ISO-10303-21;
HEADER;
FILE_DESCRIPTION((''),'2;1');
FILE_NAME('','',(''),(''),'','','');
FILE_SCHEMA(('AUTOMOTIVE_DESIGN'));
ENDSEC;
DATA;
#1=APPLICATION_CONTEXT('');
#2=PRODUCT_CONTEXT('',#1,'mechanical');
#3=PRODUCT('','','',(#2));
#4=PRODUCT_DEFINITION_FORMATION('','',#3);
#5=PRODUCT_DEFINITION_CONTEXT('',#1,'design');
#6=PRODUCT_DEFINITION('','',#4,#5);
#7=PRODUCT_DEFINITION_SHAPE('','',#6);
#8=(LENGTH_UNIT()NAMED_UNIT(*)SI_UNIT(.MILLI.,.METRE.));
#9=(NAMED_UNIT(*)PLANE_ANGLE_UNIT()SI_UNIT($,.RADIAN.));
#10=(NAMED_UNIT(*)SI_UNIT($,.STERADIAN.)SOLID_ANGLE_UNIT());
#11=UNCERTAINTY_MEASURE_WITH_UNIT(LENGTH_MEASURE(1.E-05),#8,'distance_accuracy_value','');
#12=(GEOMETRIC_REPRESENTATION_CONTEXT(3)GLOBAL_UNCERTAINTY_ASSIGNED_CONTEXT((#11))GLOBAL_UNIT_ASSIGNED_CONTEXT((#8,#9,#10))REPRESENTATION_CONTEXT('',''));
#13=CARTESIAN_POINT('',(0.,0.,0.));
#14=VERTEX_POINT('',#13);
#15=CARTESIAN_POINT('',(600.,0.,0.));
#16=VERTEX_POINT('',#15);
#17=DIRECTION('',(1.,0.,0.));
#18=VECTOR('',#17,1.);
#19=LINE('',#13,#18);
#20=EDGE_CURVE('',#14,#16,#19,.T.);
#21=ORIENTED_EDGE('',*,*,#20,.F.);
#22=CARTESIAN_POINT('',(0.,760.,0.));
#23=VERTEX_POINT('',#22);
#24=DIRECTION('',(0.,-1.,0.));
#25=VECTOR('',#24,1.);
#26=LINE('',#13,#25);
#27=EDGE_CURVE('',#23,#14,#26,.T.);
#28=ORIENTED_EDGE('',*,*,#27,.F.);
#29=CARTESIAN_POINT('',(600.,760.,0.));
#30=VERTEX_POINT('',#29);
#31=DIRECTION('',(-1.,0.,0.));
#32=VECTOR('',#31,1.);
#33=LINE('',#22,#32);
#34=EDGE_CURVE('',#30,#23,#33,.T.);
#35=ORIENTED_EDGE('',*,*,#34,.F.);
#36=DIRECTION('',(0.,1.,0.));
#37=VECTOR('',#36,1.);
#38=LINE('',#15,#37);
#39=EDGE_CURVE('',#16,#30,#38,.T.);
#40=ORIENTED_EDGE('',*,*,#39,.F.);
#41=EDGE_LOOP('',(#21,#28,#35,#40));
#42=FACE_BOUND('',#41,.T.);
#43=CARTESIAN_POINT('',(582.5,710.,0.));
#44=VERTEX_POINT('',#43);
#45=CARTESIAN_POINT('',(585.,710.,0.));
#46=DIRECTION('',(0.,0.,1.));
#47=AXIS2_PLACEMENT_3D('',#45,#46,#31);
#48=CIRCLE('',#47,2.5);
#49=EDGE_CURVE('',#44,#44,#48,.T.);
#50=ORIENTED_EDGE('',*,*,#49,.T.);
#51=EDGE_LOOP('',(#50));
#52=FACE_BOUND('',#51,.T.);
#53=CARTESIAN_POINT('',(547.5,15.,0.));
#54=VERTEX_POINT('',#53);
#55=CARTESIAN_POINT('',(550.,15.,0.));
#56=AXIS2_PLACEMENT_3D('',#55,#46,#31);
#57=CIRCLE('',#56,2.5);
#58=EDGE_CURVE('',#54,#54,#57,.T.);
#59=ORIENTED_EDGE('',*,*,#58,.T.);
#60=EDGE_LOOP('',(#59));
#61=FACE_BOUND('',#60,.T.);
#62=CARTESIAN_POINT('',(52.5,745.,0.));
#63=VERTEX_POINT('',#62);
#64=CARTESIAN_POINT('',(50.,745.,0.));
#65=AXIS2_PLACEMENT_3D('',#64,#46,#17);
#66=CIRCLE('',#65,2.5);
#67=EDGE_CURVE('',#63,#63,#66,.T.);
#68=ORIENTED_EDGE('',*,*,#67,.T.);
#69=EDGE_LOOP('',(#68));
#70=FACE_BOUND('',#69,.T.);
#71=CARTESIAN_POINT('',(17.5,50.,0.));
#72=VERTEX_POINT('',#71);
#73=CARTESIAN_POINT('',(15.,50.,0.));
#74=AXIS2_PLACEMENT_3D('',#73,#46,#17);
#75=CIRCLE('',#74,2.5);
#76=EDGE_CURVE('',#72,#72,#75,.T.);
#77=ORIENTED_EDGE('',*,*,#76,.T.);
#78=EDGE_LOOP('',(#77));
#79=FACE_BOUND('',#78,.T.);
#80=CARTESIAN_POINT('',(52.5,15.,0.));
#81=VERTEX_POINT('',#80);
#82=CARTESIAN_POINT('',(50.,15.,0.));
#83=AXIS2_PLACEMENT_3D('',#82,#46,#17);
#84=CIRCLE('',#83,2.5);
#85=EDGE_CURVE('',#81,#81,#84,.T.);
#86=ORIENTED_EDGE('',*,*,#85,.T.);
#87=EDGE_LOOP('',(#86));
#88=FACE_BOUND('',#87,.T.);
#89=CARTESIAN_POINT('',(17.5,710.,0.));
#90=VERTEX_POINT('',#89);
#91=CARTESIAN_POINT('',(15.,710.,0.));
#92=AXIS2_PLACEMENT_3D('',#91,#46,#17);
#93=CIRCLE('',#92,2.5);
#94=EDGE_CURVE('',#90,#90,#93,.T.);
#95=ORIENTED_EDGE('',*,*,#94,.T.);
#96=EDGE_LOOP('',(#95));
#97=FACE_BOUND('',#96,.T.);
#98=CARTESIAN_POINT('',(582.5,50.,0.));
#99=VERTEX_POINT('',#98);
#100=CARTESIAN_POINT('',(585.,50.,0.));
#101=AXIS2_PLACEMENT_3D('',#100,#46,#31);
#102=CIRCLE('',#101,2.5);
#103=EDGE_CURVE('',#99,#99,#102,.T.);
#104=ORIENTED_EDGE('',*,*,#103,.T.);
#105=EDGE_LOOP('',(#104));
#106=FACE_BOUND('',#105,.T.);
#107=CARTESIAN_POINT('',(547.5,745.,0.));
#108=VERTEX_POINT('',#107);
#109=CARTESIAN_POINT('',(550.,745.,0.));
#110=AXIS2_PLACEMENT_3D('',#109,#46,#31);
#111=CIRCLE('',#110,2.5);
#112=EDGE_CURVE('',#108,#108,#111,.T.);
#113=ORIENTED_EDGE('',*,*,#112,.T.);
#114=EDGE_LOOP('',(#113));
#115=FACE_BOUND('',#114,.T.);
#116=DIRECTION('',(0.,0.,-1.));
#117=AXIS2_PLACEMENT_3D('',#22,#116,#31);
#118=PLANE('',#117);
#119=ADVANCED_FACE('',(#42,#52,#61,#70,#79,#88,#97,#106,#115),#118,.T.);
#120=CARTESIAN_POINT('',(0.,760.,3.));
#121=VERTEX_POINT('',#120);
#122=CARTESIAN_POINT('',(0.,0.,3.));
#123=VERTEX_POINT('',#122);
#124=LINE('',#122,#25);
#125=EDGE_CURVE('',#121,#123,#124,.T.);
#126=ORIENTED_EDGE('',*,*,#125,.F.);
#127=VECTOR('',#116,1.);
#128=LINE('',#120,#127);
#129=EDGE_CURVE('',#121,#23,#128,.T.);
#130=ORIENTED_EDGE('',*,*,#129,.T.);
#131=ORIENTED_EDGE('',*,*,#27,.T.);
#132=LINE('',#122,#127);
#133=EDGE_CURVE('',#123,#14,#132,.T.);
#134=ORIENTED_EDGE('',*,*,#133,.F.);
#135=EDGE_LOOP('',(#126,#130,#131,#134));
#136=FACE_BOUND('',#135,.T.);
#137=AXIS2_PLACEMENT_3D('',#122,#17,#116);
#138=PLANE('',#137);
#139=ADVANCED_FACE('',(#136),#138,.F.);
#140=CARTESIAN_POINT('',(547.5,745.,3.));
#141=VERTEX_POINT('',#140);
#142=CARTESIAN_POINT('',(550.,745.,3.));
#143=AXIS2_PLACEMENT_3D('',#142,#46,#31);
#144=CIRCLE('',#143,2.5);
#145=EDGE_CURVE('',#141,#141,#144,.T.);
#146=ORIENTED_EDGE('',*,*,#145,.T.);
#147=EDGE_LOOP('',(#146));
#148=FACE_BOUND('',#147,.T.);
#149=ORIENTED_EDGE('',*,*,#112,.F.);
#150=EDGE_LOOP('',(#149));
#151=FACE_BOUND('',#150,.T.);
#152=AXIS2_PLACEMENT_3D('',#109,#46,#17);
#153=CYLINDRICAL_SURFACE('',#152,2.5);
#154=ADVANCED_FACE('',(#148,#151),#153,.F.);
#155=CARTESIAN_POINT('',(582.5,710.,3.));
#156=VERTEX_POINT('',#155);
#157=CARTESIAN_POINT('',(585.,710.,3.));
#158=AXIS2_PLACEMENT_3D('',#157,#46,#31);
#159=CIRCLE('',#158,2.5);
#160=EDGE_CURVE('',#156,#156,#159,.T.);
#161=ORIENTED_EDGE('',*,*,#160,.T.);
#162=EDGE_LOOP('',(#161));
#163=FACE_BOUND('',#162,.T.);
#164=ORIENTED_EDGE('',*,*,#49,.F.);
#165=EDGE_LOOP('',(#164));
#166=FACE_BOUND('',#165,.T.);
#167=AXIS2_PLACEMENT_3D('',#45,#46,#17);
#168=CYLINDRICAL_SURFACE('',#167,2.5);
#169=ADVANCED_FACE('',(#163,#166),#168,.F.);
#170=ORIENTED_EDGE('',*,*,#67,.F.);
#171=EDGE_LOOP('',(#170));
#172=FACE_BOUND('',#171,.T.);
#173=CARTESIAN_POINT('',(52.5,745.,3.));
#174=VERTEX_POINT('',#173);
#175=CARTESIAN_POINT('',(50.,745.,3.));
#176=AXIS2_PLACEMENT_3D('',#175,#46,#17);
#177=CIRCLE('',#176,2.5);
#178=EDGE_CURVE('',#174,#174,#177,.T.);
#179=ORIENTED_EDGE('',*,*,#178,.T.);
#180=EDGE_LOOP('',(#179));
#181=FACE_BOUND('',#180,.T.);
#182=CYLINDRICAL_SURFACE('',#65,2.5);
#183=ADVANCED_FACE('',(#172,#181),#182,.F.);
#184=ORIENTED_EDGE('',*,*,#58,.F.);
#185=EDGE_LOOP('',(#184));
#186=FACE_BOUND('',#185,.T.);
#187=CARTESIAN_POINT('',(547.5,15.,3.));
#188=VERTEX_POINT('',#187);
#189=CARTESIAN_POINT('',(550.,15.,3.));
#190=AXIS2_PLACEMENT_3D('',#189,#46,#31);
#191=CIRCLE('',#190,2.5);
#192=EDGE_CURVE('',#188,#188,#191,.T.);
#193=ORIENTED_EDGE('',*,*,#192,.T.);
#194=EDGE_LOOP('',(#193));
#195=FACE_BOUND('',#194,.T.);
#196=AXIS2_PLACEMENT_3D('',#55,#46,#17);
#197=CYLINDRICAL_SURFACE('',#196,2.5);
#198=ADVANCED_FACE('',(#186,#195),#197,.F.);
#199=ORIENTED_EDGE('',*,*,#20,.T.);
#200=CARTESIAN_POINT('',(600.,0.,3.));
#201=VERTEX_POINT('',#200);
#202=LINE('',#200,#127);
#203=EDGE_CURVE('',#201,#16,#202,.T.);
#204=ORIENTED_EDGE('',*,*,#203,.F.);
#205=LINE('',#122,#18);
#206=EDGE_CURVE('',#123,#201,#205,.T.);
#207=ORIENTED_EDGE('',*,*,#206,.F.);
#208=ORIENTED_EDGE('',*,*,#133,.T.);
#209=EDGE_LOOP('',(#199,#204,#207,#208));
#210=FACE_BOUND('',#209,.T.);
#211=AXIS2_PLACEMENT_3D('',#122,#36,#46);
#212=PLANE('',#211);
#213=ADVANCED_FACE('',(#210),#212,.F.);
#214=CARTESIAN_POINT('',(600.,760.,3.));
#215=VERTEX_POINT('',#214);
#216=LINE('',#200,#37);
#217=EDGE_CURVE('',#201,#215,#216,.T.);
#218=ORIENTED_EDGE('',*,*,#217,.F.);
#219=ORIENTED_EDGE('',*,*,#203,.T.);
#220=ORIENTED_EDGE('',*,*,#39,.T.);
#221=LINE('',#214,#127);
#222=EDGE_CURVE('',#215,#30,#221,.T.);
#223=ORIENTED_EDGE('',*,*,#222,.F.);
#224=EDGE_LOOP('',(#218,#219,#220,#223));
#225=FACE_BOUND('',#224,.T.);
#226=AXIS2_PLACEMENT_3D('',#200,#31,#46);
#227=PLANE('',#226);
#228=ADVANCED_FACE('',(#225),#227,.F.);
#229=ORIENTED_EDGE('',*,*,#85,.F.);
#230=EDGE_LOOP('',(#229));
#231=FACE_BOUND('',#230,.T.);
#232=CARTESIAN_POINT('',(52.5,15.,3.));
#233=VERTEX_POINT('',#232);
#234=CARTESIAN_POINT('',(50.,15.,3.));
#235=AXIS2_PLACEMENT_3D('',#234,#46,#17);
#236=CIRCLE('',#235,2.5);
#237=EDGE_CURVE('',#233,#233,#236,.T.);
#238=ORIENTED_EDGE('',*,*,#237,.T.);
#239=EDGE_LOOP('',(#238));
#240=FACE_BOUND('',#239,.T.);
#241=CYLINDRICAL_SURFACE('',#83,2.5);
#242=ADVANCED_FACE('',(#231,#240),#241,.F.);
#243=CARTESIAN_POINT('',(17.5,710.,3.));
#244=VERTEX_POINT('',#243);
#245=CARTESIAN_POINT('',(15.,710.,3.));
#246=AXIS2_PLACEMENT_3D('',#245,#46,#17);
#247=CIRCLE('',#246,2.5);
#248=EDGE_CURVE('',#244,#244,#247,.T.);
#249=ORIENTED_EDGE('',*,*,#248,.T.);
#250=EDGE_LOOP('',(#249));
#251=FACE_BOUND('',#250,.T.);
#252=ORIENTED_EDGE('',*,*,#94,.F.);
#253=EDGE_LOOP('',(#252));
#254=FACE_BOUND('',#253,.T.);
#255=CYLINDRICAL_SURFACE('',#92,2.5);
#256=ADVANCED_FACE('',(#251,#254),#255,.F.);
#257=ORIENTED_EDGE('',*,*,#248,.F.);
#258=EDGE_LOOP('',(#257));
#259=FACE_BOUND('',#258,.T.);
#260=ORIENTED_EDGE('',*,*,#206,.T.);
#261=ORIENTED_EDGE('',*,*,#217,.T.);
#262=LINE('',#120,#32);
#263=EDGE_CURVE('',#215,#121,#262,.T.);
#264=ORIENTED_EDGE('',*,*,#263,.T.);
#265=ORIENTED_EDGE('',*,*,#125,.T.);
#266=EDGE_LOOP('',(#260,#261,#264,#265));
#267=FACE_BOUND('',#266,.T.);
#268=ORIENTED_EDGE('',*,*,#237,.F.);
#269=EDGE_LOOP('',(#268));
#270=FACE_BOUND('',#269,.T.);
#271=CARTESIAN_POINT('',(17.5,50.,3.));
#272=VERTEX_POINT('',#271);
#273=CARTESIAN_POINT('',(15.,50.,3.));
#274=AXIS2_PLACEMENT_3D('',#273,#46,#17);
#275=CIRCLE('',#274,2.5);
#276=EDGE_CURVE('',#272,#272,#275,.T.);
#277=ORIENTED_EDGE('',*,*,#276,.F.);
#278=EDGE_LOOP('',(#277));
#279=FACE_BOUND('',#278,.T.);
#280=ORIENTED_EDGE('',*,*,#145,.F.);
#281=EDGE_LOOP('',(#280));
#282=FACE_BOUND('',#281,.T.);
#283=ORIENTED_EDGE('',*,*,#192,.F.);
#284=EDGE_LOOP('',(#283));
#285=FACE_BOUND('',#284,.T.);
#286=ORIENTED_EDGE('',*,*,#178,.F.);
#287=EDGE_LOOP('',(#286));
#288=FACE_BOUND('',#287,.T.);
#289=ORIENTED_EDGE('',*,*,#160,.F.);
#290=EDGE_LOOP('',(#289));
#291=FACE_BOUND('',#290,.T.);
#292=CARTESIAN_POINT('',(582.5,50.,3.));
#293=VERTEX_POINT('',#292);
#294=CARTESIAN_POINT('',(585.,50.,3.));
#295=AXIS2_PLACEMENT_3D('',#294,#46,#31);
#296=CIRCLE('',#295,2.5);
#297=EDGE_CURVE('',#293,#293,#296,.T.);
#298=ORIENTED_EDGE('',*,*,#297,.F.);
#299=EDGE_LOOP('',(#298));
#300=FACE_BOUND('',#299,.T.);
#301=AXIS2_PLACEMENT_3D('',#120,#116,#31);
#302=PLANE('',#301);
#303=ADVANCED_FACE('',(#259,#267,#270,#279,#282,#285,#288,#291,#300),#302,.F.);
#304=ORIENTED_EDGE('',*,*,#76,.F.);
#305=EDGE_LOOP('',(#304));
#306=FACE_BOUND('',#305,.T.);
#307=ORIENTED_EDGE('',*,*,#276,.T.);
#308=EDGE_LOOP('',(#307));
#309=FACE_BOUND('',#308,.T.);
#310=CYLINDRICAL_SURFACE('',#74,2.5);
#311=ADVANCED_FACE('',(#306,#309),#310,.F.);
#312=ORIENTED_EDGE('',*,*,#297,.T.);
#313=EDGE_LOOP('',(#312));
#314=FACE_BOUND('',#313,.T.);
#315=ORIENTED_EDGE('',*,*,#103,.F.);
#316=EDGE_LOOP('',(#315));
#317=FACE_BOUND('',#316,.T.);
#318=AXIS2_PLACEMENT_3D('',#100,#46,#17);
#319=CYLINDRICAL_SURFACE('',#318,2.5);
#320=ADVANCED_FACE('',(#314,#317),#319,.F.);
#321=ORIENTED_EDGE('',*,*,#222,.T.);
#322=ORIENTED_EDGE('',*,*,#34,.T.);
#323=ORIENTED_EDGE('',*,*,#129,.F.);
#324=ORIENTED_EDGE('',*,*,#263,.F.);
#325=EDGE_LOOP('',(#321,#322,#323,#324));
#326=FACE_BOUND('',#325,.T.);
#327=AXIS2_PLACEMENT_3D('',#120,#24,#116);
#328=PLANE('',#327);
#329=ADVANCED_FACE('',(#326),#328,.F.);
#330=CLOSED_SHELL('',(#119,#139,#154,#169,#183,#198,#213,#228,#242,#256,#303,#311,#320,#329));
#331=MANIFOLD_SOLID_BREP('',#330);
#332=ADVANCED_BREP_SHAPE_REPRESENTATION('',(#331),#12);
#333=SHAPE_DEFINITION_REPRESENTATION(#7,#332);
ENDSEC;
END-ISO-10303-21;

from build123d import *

# Parameters (mm, degrees)
ESQUISSE1_W             = 600
ESQUISSE1_H             = 760
BOSS_EXTRU_1_DEPTH      = 3
ESQUISSE2_R             = 2.5
ENL_V_MAT_EXTRU_1_DEPTH = 3


with BuildPart() as part:
    # Esquisse1 → Boss.-Extru.1 (new body)
    with BuildSketch(Plane.XY):
        with Locations((300, 380)):
            Rectangle(ESQUISSE1_W, ESQUISSE1_H)
    extrude(amount=BOSS_EXTRU_1_DEPTH)

    # Esquisse2 → Enlèv. mat.-Extru.1 (cut)
    with BuildSketch(Plane.XY.offset(3)):
        with Locations((50, 745)):
            Circle(ESQUISSE2_R)
        with Locations((15, 710)):
            Circle(ESQUISSE2_R)
        with Locations((15, 50)):
            Circle(ESQUISSE2_R)
        with Locations((50, 15)):
            Circle(ESQUISSE2_R)
        with Locations((550, 15)):
            Circle(ESQUISSE2_R)
        with Locations((585, 50)):
            Circle(ESQUISSE2_R)
        with Locations((585, 710)):
            Circle(ESQUISSE2_R)
        with Locations((550, 745)):
            Circle(ESQUISSE2_R)
    extrude(amount=-ENL_V_MAT_EXTRU_1_DEPTH, mode=Mode.SUBTRACT)


solid = part.part
